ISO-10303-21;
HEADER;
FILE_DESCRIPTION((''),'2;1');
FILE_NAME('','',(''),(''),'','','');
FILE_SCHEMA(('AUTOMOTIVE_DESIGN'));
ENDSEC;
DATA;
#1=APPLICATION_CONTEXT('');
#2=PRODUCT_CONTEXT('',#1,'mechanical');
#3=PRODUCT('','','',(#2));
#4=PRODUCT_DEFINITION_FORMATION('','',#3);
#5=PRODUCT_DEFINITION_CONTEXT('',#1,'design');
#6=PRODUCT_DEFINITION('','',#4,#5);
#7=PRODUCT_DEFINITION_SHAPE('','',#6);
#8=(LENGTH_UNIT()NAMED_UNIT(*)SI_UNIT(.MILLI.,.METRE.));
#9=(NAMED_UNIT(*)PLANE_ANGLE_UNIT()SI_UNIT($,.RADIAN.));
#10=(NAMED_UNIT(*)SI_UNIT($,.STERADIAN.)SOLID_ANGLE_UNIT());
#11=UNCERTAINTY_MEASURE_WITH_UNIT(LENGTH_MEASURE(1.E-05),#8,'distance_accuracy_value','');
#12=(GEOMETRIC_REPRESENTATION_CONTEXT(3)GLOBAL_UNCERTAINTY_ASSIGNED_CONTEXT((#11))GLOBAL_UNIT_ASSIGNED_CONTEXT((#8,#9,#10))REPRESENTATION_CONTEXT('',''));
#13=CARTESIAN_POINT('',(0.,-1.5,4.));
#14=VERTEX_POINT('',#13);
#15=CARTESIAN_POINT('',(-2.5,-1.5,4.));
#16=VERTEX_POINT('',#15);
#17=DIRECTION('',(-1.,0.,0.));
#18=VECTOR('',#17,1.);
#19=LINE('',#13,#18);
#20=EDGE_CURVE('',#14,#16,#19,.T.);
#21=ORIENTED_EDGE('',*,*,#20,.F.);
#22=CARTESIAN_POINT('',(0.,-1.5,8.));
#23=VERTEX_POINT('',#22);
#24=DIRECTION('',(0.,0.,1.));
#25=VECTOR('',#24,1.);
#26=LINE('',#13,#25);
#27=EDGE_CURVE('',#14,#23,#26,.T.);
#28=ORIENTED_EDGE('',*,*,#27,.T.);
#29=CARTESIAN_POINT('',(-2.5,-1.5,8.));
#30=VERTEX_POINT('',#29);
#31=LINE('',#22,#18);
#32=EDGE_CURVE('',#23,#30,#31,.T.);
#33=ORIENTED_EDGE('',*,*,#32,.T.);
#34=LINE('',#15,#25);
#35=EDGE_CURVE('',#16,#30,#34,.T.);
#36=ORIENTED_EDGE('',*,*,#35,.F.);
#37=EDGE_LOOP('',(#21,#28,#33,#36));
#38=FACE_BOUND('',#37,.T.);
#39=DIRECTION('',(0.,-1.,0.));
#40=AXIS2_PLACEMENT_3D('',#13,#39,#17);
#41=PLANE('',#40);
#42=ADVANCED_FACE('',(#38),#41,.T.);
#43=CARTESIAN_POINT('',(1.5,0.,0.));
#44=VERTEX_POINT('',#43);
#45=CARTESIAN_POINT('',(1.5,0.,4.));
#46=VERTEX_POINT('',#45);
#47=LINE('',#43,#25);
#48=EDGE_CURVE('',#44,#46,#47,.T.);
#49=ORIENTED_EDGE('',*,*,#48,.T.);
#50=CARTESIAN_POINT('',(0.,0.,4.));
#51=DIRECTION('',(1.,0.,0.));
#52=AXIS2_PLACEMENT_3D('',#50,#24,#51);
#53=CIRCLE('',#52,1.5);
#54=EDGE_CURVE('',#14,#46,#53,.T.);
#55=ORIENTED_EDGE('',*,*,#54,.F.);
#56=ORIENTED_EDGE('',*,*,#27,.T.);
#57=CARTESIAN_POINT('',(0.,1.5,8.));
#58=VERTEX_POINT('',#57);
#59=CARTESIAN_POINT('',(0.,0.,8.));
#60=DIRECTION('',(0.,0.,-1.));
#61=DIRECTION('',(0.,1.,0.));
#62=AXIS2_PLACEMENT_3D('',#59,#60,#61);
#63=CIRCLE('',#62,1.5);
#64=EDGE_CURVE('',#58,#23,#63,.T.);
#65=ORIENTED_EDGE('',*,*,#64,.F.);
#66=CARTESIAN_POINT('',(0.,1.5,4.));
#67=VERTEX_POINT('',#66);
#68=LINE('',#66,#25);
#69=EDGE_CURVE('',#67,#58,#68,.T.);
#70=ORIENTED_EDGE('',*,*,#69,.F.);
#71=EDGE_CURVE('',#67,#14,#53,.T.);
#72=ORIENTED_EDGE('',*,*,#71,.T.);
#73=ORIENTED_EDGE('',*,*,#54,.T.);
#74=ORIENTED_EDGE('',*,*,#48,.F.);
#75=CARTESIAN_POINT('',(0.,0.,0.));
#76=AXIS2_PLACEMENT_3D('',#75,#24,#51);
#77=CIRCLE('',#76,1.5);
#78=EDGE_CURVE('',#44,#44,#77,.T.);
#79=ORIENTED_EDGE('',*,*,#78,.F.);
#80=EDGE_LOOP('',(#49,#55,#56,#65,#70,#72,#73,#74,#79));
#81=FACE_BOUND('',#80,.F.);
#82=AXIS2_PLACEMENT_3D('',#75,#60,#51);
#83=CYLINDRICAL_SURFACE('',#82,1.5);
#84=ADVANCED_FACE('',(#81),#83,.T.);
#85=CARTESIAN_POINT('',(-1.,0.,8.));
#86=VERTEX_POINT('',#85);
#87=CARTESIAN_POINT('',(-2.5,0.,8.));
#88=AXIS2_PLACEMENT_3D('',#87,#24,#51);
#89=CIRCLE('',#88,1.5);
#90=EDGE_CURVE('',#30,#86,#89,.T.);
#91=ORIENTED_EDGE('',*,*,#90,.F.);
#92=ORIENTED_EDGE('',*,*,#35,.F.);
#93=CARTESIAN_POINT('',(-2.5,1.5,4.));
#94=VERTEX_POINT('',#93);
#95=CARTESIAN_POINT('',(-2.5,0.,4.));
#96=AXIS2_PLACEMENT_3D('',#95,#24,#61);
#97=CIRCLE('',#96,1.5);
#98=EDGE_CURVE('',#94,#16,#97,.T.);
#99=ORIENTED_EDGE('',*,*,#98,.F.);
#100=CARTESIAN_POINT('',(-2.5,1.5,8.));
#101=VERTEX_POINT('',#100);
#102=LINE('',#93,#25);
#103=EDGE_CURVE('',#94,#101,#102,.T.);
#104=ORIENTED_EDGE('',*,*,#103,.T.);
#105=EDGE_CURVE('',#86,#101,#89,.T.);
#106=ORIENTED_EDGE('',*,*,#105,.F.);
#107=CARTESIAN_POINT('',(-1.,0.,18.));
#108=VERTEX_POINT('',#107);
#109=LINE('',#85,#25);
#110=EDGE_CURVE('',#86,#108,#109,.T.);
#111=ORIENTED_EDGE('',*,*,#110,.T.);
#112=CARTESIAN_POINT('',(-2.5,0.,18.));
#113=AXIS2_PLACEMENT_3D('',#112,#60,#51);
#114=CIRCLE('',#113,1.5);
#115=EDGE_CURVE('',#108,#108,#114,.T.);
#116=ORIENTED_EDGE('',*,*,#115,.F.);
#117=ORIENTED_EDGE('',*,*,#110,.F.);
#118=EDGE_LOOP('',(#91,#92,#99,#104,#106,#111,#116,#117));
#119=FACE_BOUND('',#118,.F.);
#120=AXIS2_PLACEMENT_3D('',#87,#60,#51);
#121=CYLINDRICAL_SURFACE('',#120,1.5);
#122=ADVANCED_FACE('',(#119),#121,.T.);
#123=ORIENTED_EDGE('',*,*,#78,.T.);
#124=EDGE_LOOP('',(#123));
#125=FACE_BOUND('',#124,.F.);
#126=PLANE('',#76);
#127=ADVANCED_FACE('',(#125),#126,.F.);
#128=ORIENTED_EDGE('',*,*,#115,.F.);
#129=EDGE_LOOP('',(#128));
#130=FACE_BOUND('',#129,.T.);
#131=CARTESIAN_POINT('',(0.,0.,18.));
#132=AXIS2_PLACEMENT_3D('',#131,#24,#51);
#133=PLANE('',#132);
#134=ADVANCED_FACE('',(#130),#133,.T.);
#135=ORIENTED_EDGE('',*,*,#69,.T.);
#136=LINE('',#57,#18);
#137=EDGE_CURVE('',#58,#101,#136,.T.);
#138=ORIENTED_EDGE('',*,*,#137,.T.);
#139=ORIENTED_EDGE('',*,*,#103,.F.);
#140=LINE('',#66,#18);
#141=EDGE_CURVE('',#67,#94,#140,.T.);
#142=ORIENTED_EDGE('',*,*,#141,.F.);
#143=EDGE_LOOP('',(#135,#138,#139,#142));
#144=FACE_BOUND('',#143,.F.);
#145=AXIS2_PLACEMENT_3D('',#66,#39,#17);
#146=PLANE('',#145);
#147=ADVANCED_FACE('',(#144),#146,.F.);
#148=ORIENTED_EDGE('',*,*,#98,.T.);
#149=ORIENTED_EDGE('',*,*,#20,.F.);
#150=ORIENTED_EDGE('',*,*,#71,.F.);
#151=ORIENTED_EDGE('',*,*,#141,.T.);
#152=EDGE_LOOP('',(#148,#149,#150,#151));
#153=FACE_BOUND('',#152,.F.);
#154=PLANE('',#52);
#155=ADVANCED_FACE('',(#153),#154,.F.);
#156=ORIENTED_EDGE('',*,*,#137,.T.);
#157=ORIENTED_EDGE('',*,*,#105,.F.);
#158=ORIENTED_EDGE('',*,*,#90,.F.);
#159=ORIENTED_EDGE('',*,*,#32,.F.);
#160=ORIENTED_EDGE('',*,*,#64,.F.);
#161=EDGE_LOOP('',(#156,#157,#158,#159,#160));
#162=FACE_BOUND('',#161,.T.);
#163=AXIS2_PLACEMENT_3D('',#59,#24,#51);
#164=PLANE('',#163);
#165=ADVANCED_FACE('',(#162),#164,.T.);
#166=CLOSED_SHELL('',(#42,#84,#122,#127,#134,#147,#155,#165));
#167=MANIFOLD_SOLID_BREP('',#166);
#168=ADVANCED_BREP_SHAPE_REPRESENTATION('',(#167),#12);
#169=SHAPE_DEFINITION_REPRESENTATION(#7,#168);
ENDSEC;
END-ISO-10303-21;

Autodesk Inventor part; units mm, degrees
ref_plane "YZ Plane" through (0, 0, 0) normal (1, 0, 0) x (0, 1, 0)
ref_plane "XZ Plane" through (0, 0, 0) normal (0, 1, 0) x (-1, 0, 0)
ref_plane "XY Plane" through (0, 0, 0) normal (0, 0, 1) x (1, 0, 0)
sketch "草图1" plane through (0, 0, 0) normal (0, 0, 1) x (1, 0, 0)
  circle A0 centre (0, 0) radius 1.5
  dimension "d0" = 3
extrude "拉伸1" add sketch "草图1" along normal blind 4
sketch "草图2" plane through (0, 0, 4) normal (0, 0, 1) x (1, 0, 0)
  arc A0 (0, -1.5) -> (0, 1.5) centre (0, 0) ccw
  circle A1 centre (0, 0) radius 1.5 projected
  line L0 (0, -1.5) -> (-2.5, -1.5)
  line L1 (0, 1.5) -> (-2.5, 1.5)
  line L2 (-2.5, 1.5) -> (-2.5, -1.5)
  arc A2 (-2.5, 1.5) -> (-2.5, -1.5) centre (-2.5, 0) ccw
  dimension "d3" = 2.5
extrude "拉伸2" add sketch "草图2" along normal blind 4
sketch "草图3" plane through (0, 0, 8) normal (0, 0, 1) x (1, 0, 0)
  arc A0 (-2.5, 1.5) -> (-2.5, -1.5) centre (-2.5, 0) ccw projected
  circle A1 centre (-2.5, 0) radius 1.5
  point P0 (0, 0)
extrude "拉伸3" add sketch "草图3" along normal blind 10
properties part number "偏心支轴"
